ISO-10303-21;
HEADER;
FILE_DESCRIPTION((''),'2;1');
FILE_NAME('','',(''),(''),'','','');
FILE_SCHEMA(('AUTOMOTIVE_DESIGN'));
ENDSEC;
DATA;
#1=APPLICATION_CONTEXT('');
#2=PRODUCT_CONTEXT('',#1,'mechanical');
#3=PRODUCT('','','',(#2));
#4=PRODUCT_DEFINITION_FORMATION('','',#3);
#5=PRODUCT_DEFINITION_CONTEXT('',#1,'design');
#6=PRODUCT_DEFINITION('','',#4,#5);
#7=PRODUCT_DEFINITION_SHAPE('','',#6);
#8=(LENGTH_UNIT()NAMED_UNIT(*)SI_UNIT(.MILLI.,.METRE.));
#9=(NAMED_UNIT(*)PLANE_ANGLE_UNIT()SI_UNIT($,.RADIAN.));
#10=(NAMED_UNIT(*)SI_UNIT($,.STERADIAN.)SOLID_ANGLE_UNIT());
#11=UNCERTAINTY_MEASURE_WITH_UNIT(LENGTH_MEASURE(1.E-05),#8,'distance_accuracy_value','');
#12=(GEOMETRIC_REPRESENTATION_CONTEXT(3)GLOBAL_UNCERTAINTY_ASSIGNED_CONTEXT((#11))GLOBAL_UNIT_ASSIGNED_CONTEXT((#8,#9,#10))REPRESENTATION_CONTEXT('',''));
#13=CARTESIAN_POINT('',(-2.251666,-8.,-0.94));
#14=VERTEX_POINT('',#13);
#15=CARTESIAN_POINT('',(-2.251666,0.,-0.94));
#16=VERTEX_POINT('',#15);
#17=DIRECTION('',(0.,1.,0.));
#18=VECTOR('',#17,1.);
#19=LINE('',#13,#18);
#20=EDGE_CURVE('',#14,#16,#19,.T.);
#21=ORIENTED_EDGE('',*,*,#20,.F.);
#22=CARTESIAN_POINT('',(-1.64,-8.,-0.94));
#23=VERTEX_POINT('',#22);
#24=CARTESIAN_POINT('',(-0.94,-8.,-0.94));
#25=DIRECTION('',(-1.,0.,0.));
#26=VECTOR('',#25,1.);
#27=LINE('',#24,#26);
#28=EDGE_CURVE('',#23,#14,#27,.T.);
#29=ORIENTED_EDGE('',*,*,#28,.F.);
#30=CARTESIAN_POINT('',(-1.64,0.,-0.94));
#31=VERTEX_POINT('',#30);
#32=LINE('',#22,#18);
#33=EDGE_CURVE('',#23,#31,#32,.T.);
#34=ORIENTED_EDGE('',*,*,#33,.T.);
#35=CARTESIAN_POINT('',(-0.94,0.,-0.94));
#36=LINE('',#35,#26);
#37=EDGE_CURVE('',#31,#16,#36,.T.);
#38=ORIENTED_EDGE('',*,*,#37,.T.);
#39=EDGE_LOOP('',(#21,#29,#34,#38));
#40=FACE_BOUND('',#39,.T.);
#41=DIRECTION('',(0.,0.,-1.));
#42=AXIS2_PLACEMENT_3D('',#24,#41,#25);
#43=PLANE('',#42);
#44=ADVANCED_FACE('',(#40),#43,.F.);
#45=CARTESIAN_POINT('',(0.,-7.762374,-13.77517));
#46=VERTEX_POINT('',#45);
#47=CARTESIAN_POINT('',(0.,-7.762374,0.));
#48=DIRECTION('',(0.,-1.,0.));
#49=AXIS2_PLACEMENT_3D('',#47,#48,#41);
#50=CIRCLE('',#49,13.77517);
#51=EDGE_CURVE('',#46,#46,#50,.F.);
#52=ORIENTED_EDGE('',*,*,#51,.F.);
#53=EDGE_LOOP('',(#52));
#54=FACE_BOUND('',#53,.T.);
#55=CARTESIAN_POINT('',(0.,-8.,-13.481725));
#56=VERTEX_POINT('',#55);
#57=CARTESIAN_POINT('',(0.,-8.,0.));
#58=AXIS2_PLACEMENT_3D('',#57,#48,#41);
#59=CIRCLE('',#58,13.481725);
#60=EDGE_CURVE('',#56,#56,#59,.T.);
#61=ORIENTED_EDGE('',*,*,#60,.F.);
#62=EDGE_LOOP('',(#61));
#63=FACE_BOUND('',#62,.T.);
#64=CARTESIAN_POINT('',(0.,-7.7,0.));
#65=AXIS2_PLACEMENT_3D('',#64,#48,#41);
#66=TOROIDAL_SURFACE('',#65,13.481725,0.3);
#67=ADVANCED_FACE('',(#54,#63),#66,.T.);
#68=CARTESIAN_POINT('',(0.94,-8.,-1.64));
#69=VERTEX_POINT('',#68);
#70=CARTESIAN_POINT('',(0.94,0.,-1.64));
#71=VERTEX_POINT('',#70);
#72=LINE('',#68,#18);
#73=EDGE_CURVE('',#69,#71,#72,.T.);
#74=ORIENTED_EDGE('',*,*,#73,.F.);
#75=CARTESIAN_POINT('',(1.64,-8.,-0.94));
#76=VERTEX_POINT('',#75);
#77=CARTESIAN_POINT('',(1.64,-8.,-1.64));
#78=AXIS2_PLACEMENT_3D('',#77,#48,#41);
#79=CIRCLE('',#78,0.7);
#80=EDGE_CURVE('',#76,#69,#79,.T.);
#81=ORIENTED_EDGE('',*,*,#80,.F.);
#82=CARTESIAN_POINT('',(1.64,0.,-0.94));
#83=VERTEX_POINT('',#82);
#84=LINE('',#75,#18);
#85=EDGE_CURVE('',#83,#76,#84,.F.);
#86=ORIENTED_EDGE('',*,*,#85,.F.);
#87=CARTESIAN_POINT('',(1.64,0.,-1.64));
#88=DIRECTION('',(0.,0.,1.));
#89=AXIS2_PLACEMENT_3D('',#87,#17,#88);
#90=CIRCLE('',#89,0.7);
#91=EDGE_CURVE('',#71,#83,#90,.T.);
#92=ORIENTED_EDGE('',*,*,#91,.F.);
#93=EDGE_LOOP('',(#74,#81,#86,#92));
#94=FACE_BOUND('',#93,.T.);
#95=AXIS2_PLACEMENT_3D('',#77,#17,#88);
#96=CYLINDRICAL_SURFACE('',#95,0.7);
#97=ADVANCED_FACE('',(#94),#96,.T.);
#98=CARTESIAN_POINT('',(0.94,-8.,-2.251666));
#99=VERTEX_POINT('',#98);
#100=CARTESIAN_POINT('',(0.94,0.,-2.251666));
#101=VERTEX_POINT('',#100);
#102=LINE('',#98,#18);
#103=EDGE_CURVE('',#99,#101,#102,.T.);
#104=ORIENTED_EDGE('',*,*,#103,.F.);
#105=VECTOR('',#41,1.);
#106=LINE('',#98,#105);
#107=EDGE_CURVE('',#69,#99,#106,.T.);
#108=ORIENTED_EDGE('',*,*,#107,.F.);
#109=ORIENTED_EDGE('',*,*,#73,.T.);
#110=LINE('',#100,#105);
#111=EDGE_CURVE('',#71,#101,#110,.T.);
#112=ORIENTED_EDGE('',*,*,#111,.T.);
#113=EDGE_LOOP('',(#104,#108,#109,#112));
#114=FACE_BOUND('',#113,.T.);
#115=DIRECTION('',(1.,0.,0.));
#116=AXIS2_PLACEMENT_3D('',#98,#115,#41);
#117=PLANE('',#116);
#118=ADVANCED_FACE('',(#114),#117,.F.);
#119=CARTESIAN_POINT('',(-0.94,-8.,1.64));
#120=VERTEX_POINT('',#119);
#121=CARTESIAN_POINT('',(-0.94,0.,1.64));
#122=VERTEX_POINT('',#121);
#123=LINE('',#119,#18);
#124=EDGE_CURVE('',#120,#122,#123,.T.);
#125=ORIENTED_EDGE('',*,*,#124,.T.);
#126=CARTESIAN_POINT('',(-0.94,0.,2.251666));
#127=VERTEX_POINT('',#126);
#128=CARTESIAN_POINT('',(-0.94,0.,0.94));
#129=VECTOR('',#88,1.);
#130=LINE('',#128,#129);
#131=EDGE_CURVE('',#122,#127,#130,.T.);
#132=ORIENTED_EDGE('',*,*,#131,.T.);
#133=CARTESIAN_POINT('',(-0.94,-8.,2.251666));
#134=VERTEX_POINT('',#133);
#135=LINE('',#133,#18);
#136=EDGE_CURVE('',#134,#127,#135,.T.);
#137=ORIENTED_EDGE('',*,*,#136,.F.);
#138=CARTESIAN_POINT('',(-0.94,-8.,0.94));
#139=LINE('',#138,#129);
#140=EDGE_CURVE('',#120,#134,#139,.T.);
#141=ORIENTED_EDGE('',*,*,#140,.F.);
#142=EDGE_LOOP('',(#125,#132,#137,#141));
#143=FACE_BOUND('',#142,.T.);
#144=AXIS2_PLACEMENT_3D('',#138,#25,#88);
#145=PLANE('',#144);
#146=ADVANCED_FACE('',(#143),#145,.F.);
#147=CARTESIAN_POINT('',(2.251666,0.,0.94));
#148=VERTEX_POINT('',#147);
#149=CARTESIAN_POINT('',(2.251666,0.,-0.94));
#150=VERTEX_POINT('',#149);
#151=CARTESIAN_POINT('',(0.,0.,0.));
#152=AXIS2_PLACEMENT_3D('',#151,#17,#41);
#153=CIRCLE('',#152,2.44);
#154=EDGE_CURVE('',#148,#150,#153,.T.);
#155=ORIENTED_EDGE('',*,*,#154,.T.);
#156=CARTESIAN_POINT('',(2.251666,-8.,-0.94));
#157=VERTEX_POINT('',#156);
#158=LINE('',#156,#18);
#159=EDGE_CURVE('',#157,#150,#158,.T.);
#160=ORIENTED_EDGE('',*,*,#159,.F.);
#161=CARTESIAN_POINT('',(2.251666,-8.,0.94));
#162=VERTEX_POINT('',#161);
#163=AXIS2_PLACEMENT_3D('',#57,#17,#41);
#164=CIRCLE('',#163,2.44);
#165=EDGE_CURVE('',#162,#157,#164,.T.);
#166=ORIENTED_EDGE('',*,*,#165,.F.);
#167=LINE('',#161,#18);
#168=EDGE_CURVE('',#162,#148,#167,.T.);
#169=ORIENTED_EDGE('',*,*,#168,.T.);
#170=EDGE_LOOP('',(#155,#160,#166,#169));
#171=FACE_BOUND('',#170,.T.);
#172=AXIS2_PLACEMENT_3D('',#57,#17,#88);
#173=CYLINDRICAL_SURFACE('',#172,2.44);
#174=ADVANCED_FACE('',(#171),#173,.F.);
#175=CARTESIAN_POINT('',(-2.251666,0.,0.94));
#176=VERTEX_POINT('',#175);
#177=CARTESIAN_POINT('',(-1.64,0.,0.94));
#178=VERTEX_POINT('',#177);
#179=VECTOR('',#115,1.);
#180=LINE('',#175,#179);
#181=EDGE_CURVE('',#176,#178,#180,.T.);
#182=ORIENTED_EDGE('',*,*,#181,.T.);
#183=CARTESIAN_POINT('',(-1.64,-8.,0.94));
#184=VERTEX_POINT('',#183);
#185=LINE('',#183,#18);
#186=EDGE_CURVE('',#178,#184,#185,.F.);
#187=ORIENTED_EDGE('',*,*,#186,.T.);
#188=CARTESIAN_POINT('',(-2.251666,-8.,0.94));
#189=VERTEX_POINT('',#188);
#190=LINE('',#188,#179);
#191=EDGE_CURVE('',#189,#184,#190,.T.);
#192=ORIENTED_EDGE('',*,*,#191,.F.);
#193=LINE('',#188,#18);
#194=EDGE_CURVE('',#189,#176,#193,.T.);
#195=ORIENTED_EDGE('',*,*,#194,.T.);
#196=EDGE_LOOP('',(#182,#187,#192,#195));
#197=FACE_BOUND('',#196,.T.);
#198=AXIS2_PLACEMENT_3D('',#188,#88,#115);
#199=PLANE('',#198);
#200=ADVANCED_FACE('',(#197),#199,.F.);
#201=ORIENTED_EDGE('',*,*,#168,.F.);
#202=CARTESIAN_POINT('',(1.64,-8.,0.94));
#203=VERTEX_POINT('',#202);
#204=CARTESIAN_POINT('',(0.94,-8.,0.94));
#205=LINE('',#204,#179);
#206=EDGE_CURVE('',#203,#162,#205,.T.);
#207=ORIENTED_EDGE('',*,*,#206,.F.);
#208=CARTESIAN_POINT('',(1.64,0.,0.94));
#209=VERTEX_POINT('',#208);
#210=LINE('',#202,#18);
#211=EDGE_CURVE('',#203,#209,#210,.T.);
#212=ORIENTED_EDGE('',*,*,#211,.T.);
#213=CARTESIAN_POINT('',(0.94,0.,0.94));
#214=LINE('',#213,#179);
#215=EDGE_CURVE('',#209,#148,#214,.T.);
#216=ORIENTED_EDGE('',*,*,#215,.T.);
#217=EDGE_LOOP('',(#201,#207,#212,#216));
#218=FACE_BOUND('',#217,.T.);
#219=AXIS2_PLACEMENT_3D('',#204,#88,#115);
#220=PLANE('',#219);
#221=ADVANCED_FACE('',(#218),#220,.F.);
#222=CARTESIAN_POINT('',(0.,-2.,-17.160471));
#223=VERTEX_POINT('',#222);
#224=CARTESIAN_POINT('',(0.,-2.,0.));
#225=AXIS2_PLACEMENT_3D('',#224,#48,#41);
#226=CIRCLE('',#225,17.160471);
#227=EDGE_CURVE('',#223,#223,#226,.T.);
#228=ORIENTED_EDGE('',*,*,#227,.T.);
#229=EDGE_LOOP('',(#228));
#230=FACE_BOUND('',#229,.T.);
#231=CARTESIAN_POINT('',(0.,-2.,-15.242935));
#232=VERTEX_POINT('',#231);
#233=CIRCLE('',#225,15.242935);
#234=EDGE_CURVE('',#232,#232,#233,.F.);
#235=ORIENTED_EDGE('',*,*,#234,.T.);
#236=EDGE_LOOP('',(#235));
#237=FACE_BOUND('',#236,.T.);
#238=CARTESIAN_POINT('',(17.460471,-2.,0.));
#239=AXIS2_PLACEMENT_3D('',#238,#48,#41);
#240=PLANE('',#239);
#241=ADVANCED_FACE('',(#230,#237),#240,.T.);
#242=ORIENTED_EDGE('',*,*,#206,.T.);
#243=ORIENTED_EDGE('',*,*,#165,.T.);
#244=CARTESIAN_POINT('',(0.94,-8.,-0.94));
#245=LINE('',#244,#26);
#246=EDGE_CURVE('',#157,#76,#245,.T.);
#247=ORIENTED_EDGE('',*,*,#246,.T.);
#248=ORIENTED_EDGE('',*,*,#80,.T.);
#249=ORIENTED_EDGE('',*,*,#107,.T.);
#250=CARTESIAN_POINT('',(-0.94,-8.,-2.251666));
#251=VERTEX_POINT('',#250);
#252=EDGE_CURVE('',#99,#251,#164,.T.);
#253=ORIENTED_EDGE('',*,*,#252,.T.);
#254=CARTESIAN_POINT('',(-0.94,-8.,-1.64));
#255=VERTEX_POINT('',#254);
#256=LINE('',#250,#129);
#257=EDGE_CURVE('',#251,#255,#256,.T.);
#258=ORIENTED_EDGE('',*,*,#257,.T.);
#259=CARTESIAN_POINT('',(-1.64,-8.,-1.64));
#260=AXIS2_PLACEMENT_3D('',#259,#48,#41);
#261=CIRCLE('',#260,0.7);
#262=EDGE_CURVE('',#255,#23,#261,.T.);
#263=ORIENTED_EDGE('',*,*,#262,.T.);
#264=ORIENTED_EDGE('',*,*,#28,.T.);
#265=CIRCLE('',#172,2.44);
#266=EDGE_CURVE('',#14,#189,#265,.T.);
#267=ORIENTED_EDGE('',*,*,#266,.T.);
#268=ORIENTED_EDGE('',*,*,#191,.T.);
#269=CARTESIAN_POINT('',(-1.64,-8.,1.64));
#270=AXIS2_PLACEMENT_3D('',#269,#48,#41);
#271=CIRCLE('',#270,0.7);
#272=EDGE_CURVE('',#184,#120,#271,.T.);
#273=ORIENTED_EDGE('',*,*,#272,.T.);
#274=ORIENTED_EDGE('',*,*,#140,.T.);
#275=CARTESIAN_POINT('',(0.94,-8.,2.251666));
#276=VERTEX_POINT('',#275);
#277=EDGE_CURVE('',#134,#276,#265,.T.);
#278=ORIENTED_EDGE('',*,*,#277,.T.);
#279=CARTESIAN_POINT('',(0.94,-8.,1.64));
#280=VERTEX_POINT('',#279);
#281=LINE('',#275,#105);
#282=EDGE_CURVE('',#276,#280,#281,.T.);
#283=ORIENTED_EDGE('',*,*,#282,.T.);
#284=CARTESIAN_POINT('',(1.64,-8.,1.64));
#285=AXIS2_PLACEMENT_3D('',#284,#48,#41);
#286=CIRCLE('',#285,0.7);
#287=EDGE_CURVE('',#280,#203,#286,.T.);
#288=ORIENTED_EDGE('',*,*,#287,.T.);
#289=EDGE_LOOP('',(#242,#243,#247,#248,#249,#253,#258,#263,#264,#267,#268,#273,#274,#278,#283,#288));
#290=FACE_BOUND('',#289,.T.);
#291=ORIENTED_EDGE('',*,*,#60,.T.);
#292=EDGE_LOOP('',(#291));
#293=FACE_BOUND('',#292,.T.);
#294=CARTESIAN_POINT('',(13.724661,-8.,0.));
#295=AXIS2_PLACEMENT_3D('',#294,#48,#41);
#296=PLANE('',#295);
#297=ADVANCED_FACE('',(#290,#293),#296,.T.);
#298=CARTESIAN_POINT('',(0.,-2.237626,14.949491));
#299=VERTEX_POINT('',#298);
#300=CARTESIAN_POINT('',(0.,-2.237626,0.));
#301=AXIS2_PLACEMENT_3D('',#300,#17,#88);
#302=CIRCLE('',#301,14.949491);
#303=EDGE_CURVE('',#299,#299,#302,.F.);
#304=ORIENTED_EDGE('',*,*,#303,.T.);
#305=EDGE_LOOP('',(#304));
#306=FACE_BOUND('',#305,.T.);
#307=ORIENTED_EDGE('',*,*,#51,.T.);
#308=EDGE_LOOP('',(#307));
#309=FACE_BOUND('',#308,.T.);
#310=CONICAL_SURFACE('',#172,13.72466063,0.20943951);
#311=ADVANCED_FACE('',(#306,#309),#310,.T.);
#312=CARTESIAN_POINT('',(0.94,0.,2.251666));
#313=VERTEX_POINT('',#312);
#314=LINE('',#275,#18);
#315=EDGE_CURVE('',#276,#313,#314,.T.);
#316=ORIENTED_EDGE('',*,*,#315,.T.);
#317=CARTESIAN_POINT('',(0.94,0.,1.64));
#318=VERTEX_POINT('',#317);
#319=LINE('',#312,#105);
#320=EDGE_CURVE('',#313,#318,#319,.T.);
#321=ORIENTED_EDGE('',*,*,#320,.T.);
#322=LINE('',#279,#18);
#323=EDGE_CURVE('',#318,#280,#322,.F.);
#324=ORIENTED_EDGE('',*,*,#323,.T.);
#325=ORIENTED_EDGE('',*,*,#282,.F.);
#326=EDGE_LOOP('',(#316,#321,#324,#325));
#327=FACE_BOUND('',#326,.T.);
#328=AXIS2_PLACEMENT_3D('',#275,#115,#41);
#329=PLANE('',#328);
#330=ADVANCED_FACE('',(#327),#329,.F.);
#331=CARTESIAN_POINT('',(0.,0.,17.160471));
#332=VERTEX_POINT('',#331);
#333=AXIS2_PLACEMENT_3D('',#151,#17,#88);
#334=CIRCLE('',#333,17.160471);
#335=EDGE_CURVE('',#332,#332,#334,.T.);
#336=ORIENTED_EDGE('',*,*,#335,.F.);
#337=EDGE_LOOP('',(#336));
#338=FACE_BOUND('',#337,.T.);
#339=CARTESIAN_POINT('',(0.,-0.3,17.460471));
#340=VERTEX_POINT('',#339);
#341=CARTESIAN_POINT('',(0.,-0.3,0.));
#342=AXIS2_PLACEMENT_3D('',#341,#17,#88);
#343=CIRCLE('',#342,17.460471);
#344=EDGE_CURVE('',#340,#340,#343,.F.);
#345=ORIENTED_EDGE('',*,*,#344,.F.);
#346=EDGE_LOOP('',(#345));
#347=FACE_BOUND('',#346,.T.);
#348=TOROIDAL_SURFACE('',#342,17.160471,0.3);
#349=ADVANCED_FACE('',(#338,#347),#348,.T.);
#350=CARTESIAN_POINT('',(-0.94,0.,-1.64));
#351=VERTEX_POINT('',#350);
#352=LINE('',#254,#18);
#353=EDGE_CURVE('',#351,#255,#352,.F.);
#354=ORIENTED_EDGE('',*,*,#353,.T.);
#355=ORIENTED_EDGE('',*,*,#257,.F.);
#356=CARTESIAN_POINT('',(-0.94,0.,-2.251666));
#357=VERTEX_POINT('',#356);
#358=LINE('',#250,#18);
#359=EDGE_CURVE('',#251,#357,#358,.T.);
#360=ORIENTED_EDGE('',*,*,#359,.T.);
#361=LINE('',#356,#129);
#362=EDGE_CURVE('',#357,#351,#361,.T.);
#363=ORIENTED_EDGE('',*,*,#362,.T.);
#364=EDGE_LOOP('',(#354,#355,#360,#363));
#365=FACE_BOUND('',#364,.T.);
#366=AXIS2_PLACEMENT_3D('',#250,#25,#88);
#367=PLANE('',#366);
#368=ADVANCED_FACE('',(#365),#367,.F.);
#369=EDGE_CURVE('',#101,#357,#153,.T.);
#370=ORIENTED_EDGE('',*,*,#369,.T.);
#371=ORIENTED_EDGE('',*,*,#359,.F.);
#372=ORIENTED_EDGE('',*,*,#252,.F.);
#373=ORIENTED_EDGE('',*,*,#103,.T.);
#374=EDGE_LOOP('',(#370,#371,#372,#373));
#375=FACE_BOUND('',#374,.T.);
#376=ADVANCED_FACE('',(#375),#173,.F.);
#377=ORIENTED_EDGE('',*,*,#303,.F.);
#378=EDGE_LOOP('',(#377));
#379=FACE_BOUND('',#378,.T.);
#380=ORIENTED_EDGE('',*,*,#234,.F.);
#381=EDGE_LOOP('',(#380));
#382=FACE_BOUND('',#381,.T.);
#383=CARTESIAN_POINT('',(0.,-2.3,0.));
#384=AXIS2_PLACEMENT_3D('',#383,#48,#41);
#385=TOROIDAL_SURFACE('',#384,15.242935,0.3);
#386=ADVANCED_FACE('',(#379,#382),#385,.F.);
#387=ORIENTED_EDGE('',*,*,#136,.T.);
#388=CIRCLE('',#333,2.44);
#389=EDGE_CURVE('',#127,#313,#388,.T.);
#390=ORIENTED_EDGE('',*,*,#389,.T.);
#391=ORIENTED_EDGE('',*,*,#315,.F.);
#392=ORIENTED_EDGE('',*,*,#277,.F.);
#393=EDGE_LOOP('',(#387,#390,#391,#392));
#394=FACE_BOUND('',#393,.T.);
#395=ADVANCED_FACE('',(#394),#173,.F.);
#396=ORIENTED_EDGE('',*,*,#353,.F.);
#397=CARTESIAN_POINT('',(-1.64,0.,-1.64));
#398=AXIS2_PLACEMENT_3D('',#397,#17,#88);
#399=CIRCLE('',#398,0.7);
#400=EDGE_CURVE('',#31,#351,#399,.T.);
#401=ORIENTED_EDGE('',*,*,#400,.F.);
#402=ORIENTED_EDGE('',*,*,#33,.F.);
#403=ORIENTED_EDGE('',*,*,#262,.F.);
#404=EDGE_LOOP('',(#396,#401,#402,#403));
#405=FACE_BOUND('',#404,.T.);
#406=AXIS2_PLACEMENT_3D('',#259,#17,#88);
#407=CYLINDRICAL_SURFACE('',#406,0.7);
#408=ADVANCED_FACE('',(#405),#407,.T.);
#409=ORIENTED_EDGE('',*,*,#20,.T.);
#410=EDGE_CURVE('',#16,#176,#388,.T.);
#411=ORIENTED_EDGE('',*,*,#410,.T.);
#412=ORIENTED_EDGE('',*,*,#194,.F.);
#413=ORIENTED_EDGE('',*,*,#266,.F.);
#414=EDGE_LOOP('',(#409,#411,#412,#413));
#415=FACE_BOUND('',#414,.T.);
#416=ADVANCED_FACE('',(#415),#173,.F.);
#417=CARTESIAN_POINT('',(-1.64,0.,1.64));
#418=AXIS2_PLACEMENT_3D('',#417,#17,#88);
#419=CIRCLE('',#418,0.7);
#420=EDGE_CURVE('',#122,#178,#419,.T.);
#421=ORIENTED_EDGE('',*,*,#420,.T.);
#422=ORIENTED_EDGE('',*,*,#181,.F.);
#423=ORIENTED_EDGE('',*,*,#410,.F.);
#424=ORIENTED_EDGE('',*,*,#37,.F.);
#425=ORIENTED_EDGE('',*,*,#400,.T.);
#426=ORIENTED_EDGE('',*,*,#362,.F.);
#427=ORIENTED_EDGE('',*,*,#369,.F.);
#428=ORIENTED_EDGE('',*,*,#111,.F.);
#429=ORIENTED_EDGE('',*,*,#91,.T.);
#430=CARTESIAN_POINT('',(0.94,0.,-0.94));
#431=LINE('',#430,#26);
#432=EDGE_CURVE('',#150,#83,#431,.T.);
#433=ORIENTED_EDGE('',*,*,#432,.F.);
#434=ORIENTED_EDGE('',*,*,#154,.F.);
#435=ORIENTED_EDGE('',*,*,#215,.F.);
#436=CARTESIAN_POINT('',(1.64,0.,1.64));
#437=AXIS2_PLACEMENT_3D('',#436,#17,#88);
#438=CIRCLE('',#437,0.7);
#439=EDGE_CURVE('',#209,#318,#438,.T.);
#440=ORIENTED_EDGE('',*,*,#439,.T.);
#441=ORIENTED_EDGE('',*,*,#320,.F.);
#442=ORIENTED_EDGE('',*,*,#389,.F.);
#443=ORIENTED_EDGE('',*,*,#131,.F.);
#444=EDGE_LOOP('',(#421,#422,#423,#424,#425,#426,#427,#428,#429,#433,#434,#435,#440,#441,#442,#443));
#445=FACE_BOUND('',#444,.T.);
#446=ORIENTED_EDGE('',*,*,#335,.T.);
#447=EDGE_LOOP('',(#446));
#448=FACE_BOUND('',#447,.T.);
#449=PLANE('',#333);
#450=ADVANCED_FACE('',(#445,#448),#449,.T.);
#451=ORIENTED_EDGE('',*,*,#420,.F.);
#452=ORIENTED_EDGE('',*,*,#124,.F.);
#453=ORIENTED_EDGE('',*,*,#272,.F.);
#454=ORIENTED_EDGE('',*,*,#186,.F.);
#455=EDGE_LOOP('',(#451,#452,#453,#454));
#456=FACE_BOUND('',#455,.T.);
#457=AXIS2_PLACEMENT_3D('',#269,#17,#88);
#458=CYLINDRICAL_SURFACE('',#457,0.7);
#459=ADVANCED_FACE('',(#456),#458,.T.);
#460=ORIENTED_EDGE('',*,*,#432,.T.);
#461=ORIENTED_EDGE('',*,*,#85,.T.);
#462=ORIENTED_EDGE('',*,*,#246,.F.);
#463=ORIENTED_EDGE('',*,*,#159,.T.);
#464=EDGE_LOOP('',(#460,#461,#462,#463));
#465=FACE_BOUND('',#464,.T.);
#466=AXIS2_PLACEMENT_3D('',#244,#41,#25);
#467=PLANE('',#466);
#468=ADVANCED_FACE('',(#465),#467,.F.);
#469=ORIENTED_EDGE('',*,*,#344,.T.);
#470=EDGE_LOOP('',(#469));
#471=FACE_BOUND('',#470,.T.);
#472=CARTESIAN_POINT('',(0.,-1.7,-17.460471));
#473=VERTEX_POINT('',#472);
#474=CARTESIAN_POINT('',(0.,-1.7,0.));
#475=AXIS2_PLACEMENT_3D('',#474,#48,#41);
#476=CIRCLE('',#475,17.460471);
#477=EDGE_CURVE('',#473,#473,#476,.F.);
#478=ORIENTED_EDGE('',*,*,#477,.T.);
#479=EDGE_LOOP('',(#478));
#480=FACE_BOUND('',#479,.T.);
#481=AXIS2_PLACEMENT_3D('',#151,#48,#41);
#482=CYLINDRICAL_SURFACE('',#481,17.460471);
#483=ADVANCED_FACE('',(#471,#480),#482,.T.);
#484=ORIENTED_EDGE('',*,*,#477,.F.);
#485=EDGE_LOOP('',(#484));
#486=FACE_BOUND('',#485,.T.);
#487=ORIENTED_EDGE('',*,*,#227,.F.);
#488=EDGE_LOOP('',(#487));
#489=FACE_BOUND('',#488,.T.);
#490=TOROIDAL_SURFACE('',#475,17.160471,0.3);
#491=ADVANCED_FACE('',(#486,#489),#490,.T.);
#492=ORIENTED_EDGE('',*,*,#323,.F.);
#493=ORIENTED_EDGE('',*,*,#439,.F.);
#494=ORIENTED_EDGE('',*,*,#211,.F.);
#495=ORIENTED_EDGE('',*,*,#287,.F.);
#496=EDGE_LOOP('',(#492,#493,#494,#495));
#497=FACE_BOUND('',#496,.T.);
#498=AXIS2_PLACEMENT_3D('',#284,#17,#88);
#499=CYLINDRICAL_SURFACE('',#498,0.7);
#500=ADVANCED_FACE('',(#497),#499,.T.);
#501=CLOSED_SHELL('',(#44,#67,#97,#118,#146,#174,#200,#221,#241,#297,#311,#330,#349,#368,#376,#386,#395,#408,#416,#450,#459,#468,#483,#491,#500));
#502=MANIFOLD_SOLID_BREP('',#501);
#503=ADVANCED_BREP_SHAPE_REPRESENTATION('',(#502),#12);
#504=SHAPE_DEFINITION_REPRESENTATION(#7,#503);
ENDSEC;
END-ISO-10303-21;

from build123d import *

# Parameters (mm, degrees)
CUT_EXTRUDE1_DEPTH = 26.956426849
FILLET1_R          = 0.7
FILLET2_R          = 0.3


with BuildPart() as part:
    # Sketch2 → Revolve1 (revolve)
    with BuildSketch(Plane.XY, mode=Mode.PRIVATE) as revolve1_sk:
        Polygon((0, 0), (17.460470996, 0), (17.460470996, -2), (15, -2), (13.72466063, -8), (0, -8), align=None)
    revolve(revolve1_sk.sketch.rotate(Axis((0, 0, 0), (0, 1, 0)), 90), axis=Axis((0, 0, 0), (0, 1, 0)))

    # Sketch1 → Cut-Extrude1 (cut, through all)
    with BuildSketch(Plane(origin=(0, 0, 0), x_dir=(1, 0, 0), z_dir=(0, 1, 0))):
        with BuildLine():
            Line((-0.94, 0.94), (-2.25166605, 0.94))
            ThreePointArc((-2.25166605, 0.94), (-2.44, 0), (-2.25166605, -0.94))
            Line((-2.25166605, -0.94), (-0.94, -0.94))
            Line((-0.94, -0.94), (-0.94, -2.25166605))
            ThreePointArc((-0.94, -2.25166605), (0, -2.44), (0.94, -2.25166605))
            Line((0.94, -2.25166605), (0.94, -0.94))
            Line((0.94, -0.94), (2.25166605, -0.94))
            ThreePointArc((2.25166605, -0.94), (2.44, 0), (2.25166605, 0.94))
            Line((2.25166605, 0.94), (0.94, 0.94))
            Line((0.94, 0.94), (0.94, 2.25166605))
            ThreePointArc((0.94, 2.25166605), (0, 2.44), (-0.94, 2.25166605))
            Line((-0.94, 2.25166605), (-0.94, 0.94))
        make_face()
    extrude(amount=-CUT_EXTRUDE1_DEPTH, mode=Mode.SUBTRACT)

    # Fillet1
    fillet1_edges = [part.edges().sort_by_distance(p)[0] for p in [
        (-0.94, -4, -0.94),
        (0.94, -4, -0.94),
        (0.94, -4, 0.94),
        (-0.94, -4, 0.94),
    ]]
    fillet(fillet1_edges, radius=FILLET1_R)

    # Fillet2
    fillet2_edges = [part.edges().sort_by_distance(p)[0] for p in [
        (0, -8, 13.72466063),
        (0, -2, 15),
        (0, -2, 17.460470996),
        (0, 0, 17.460470996),
    ]]
    fillet(fillet2_edges, radius=FILLET2_R)


solid = part.part
